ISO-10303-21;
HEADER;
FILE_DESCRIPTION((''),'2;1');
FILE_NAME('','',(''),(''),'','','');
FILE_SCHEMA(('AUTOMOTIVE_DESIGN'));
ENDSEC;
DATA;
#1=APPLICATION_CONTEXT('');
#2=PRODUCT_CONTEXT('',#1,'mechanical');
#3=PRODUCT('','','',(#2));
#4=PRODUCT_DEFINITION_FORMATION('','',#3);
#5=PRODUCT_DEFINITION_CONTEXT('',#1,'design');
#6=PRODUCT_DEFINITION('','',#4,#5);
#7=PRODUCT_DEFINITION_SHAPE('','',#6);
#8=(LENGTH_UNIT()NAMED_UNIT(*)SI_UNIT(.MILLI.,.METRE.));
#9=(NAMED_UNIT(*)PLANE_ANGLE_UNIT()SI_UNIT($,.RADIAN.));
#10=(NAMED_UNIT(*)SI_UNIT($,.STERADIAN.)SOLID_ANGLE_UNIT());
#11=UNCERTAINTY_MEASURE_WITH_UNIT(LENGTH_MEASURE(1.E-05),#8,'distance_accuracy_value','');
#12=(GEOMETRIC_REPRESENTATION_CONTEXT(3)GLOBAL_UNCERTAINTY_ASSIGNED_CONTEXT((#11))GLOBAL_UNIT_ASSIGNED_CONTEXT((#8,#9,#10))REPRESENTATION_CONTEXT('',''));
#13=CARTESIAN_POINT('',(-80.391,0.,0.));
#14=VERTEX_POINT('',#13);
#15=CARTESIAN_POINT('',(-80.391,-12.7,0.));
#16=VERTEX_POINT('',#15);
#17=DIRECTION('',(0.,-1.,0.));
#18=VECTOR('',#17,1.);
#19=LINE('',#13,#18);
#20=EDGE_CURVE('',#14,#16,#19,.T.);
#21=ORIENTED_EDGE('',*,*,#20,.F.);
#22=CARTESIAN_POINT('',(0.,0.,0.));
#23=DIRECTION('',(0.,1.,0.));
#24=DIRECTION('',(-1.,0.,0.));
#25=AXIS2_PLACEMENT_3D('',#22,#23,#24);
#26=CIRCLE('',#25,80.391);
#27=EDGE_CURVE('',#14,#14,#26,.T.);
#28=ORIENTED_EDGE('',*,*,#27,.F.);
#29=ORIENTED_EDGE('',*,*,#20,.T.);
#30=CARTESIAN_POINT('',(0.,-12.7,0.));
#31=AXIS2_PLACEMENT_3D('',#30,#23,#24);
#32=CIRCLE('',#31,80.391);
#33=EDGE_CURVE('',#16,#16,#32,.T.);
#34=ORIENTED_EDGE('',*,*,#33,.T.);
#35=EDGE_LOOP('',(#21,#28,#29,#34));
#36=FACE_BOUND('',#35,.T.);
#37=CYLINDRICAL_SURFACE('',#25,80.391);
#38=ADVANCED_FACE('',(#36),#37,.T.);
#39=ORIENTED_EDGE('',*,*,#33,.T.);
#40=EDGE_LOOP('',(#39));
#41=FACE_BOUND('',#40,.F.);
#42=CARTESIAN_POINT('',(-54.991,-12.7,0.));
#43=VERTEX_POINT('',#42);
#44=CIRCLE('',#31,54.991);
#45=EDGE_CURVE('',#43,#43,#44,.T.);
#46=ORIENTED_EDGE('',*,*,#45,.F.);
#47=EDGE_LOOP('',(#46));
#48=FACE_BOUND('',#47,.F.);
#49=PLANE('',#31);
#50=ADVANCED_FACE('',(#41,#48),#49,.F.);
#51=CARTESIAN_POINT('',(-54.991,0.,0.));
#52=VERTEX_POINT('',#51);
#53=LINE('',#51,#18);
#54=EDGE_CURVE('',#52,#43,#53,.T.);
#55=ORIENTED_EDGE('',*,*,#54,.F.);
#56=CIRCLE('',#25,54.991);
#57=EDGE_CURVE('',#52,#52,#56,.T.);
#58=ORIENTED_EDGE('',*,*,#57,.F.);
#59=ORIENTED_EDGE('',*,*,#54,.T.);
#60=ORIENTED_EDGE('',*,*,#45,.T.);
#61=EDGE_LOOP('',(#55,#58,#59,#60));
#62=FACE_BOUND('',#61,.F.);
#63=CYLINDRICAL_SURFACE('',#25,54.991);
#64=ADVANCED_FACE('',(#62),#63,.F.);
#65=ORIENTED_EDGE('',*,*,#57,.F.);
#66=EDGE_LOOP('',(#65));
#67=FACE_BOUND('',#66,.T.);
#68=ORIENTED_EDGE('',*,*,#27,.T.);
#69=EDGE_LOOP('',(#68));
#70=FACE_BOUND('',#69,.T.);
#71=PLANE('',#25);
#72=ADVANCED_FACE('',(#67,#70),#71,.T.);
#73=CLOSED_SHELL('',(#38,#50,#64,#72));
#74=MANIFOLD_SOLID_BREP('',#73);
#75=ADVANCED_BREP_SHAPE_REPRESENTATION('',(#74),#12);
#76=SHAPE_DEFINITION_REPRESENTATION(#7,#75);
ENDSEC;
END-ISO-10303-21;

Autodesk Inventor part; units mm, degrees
ref_plane "YZ Plane" through (0, 0, 0) normal (1, 0, 0) x (0, 1, 0)
ref_plane "XZ Plane" through (0, 0, 0) normal (0, 1, 0) x (-1, 0, 0)
sketch "Sketch1" plane through (0, 0, 0) normal (0, 1, 0) x (-1, 0, 0)
  point P0 (0, 0)
  point P1 (-59.1499, 49.6362)
  point P2 (72.5603, 26.4121)
  point P3 (38.609, 66.8737)
  point P4 (-77.215, 0.0027)
  point P5 (-13.4074, -76.0402)
  point P6 (-13.4084, -76.0429)
  point P7 (38.608, -66.871)
  point P8 (72.5593, 26.4094)
sketch "Sketch2" plane through (0, 0, 0) normal (0, 1, 0) x (-1, 0, 0)
  circle A0 centre (0, 0) radius 54.991
  circle A1 centre (0, 0) radius 80.391
  dimension "insideDiam" = 109.982
  dimension "outsideDiam" = 160.782
extrude "Extrusion1" add sketch "Sketch2" against normal blind 12.7
equation "\"outerCamRadius\" = 77.216"
equation "\"outsideRadius\" = 80.391"
equation "\"maxCamRunner\" = 6.35"
equation "\"camMovement\" = 19.05"
equation "\"ringThickness\" = 25.4"
equation "\"insideRadius\" = 54.991"
properties part number "vexCam6"
